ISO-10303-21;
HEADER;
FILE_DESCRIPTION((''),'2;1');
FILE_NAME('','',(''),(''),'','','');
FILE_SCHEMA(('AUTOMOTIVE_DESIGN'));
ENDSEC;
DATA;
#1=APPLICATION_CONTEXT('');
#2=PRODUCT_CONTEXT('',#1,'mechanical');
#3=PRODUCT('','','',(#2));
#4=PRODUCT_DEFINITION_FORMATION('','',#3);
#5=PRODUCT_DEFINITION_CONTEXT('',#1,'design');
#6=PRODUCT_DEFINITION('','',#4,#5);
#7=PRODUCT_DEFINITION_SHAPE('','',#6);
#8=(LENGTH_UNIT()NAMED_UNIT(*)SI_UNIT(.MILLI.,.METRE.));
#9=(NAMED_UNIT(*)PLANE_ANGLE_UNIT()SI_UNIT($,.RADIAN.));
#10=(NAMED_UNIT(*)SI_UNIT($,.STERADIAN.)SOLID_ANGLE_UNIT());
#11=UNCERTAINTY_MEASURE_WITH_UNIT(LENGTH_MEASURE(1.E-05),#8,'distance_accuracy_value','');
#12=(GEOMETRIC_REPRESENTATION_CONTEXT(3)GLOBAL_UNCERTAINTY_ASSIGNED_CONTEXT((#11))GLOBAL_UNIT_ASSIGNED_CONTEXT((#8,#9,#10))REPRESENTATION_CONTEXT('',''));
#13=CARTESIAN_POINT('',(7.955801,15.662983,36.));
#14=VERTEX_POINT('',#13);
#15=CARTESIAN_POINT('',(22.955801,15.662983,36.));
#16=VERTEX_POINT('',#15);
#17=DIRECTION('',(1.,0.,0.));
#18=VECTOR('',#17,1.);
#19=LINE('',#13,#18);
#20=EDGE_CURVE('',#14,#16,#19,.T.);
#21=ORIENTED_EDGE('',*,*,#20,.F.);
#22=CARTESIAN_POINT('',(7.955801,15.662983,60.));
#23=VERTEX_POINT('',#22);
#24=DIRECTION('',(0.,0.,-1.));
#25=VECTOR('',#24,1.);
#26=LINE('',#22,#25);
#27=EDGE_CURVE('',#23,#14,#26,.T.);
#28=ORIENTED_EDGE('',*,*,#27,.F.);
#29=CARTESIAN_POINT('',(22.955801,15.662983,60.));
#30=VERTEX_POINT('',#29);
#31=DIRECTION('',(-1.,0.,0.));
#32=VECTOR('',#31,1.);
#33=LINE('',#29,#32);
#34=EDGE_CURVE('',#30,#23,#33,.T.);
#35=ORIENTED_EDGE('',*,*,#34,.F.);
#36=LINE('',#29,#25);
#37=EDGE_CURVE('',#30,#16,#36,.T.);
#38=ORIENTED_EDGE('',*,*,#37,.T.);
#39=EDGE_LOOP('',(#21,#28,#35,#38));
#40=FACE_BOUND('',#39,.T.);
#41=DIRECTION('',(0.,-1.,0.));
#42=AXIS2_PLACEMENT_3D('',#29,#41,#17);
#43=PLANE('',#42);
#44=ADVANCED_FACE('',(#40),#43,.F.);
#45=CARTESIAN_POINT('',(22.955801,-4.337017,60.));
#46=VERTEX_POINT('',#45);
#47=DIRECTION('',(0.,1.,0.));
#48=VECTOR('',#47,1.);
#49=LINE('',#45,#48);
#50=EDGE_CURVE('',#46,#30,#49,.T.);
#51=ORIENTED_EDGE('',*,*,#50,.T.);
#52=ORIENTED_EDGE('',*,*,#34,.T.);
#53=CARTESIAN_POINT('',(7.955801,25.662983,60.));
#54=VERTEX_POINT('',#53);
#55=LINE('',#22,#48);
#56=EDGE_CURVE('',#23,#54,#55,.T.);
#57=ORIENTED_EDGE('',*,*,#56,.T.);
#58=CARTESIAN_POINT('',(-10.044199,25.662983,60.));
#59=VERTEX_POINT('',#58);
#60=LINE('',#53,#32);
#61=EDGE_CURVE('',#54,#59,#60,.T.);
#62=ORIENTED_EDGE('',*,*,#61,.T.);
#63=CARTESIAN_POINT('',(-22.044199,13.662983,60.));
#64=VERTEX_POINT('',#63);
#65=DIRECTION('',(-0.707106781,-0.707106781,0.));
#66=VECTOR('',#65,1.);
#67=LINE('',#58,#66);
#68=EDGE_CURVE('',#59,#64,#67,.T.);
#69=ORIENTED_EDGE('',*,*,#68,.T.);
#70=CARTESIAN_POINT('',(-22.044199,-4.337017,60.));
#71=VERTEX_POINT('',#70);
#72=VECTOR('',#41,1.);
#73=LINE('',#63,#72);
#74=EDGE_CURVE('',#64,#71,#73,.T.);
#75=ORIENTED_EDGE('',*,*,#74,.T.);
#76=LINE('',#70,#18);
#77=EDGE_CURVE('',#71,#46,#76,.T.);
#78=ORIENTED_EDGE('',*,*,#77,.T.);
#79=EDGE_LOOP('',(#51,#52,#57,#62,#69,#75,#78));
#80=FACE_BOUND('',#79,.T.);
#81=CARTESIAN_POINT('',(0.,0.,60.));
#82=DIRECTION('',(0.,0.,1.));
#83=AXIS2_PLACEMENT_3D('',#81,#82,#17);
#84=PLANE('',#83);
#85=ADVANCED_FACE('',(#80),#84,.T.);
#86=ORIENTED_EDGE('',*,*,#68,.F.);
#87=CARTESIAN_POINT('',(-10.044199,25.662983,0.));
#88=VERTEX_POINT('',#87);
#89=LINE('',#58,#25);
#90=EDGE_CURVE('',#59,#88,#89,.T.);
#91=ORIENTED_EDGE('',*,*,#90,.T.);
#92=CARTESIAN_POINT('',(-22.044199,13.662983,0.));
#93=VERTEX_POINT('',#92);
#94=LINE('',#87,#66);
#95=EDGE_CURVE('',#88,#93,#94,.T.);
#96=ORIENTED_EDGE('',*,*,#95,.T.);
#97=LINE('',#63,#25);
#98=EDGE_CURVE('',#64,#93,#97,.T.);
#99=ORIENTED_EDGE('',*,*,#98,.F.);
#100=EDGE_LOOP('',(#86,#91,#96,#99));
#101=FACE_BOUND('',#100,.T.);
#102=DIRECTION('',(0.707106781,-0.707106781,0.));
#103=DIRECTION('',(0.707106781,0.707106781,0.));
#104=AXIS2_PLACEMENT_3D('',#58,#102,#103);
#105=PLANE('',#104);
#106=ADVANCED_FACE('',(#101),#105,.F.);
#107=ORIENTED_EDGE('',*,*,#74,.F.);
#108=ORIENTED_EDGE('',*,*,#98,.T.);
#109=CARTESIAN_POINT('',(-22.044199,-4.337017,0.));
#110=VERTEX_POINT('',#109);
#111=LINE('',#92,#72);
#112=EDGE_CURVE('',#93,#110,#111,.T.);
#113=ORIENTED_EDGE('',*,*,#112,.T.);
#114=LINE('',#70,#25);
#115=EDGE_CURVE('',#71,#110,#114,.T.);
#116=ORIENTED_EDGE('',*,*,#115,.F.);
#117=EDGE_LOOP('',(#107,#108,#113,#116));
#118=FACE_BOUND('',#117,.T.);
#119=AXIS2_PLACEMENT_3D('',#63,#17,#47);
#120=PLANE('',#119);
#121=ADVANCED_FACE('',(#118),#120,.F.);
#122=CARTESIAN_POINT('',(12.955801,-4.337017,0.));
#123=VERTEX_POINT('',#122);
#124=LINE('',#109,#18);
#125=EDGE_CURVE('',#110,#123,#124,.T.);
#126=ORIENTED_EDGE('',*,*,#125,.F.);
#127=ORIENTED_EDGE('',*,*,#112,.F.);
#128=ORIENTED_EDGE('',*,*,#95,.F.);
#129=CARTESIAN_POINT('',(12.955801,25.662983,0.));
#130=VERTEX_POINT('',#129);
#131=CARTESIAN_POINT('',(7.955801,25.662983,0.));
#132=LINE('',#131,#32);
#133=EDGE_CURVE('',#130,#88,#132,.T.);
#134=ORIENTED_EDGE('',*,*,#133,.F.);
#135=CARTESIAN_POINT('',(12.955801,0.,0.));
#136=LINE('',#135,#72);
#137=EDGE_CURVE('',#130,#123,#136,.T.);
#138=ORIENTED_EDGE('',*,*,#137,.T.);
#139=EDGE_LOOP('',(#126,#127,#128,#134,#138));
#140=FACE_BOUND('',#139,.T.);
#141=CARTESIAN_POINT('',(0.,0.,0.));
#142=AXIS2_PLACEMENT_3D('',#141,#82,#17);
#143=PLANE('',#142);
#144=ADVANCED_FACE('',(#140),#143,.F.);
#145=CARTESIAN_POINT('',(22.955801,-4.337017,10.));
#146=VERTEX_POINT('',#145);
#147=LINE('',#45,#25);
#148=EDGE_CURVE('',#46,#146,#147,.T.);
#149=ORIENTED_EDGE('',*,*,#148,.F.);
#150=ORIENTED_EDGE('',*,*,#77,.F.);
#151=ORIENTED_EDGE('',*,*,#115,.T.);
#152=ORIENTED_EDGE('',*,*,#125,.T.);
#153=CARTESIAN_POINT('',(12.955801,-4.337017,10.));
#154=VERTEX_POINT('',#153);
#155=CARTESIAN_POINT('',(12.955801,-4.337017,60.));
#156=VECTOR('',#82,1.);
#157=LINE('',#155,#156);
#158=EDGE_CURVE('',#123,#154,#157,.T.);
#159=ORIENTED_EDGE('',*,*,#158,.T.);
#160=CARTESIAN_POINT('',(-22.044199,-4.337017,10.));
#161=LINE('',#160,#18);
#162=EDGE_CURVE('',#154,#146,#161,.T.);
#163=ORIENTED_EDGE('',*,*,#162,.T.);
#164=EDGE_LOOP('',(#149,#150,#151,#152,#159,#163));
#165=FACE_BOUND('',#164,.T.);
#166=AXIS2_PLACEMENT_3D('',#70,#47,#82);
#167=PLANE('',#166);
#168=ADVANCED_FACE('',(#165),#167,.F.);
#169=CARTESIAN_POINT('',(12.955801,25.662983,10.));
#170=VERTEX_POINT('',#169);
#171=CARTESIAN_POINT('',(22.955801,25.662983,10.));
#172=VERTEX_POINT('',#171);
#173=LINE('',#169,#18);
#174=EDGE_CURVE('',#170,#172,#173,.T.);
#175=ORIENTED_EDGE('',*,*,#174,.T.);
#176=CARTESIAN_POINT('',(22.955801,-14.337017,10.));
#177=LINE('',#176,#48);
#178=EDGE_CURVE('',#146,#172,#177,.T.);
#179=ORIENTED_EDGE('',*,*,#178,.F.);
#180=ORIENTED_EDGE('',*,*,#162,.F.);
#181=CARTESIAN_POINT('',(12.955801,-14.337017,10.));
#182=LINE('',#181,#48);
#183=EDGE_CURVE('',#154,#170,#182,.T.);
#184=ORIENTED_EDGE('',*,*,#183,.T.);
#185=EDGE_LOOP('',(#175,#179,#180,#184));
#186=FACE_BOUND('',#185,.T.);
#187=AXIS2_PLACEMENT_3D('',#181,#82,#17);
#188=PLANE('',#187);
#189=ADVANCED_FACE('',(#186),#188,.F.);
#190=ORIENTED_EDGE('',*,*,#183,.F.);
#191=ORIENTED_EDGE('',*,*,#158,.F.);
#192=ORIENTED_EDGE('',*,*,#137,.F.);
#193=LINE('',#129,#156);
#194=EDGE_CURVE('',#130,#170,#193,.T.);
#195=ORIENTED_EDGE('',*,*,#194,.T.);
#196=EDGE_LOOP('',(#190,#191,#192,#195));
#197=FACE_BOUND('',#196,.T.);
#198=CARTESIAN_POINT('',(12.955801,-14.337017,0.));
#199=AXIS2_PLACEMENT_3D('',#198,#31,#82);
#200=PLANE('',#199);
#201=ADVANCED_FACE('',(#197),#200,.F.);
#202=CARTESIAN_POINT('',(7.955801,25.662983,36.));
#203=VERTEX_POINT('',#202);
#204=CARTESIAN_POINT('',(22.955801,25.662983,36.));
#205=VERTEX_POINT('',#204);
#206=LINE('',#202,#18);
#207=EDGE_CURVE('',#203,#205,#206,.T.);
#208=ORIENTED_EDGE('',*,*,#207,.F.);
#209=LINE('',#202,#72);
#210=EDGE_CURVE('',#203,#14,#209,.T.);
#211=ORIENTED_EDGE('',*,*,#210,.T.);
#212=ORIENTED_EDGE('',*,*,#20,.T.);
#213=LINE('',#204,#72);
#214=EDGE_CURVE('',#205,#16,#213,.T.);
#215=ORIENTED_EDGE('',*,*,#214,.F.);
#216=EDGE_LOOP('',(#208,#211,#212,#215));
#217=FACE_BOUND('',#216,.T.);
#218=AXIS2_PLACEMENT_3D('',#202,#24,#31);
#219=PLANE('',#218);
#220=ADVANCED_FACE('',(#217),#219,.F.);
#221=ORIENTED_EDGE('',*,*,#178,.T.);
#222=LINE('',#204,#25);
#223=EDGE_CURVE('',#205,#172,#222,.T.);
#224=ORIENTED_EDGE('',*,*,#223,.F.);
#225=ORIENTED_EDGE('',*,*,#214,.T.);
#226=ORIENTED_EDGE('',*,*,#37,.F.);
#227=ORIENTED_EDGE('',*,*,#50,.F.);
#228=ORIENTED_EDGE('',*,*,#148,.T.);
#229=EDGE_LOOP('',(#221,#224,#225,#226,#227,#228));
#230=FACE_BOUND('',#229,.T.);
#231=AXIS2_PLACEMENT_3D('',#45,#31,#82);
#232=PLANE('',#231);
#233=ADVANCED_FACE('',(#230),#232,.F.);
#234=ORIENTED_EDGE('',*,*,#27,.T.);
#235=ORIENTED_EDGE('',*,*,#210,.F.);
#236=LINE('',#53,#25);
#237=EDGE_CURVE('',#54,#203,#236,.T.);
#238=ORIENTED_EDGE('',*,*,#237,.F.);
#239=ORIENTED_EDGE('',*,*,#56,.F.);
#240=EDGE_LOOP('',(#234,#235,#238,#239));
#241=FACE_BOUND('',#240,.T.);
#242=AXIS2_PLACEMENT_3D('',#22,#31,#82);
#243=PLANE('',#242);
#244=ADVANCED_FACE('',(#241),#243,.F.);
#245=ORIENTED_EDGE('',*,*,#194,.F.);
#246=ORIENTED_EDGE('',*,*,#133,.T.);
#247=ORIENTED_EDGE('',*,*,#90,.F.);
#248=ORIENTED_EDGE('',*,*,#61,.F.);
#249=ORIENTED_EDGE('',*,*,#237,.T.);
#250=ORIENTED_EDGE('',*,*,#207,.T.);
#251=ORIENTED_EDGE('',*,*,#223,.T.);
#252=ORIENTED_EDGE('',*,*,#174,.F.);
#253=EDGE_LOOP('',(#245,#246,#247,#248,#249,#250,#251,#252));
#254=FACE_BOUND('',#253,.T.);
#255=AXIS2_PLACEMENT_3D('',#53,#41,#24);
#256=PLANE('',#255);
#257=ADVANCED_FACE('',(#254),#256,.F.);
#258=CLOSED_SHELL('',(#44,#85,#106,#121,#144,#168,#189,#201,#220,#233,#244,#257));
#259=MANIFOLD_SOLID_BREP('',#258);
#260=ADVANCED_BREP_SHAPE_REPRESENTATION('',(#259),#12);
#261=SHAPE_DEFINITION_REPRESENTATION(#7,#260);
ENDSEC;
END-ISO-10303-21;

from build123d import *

# Parameters (mm, degrees)
BOSS_EXTRUDE1_DEPTH = 60
SKETCH3_W           = 15
SKETCH3_H           = 36
BOSS_EXTRUDE2_DEPTH = 10
SKETCH4_W           = 10
SKETCH4_H           = 10
CUT_EXTRUDE2_DEPTH  = 40


with BuildPart() as part:
    # Sketch1 → Boss-Extrude1 (new body)
    with BuildSketch(Plane.XY):
        Polygon((-22.044198895, 13.662983425), (-22.044198895, -4.337016575), (22.955801105, -4.337016575), (22.955801105, 15.662983425), (7.955801105, 15.662983425), (7.955801105, 25.662983425), (-10.044198895, 25.662983425), align=None)
    extrude(amount=BOSS_EXTRUDE1_DEPTH)

    # Sketch3 → Boss-Extrude2 (add)
    with BuildSketch(Plane(origin=(0, 15.662983425, 0), x_dir=(1, 0, 0), z_dir=(0, 1, 0))):
        with Locations((15.455801105, -18)):
            Rectangle(SKETCH3_W, SKETCH3_H)
    extrude(amount=BOSS_EXTRUDE2_DEPTH)

    # Sketch4 → Cut-Extrude2 (cut)
    with BuildSketch(Plane(origin=(0, 25.662983425, 0), x_dir=(1, 0, 0), z_dir=(0, 1, 0))):
        with Locations((17.955801105, -5)):
            Rectangle(SKETCH4_W, SKETCH4_H)
    extrude(amount=-CUT_EXTRUDE2_DEPTH, mode=Mode.SUBTRACT)


solid = part.part
